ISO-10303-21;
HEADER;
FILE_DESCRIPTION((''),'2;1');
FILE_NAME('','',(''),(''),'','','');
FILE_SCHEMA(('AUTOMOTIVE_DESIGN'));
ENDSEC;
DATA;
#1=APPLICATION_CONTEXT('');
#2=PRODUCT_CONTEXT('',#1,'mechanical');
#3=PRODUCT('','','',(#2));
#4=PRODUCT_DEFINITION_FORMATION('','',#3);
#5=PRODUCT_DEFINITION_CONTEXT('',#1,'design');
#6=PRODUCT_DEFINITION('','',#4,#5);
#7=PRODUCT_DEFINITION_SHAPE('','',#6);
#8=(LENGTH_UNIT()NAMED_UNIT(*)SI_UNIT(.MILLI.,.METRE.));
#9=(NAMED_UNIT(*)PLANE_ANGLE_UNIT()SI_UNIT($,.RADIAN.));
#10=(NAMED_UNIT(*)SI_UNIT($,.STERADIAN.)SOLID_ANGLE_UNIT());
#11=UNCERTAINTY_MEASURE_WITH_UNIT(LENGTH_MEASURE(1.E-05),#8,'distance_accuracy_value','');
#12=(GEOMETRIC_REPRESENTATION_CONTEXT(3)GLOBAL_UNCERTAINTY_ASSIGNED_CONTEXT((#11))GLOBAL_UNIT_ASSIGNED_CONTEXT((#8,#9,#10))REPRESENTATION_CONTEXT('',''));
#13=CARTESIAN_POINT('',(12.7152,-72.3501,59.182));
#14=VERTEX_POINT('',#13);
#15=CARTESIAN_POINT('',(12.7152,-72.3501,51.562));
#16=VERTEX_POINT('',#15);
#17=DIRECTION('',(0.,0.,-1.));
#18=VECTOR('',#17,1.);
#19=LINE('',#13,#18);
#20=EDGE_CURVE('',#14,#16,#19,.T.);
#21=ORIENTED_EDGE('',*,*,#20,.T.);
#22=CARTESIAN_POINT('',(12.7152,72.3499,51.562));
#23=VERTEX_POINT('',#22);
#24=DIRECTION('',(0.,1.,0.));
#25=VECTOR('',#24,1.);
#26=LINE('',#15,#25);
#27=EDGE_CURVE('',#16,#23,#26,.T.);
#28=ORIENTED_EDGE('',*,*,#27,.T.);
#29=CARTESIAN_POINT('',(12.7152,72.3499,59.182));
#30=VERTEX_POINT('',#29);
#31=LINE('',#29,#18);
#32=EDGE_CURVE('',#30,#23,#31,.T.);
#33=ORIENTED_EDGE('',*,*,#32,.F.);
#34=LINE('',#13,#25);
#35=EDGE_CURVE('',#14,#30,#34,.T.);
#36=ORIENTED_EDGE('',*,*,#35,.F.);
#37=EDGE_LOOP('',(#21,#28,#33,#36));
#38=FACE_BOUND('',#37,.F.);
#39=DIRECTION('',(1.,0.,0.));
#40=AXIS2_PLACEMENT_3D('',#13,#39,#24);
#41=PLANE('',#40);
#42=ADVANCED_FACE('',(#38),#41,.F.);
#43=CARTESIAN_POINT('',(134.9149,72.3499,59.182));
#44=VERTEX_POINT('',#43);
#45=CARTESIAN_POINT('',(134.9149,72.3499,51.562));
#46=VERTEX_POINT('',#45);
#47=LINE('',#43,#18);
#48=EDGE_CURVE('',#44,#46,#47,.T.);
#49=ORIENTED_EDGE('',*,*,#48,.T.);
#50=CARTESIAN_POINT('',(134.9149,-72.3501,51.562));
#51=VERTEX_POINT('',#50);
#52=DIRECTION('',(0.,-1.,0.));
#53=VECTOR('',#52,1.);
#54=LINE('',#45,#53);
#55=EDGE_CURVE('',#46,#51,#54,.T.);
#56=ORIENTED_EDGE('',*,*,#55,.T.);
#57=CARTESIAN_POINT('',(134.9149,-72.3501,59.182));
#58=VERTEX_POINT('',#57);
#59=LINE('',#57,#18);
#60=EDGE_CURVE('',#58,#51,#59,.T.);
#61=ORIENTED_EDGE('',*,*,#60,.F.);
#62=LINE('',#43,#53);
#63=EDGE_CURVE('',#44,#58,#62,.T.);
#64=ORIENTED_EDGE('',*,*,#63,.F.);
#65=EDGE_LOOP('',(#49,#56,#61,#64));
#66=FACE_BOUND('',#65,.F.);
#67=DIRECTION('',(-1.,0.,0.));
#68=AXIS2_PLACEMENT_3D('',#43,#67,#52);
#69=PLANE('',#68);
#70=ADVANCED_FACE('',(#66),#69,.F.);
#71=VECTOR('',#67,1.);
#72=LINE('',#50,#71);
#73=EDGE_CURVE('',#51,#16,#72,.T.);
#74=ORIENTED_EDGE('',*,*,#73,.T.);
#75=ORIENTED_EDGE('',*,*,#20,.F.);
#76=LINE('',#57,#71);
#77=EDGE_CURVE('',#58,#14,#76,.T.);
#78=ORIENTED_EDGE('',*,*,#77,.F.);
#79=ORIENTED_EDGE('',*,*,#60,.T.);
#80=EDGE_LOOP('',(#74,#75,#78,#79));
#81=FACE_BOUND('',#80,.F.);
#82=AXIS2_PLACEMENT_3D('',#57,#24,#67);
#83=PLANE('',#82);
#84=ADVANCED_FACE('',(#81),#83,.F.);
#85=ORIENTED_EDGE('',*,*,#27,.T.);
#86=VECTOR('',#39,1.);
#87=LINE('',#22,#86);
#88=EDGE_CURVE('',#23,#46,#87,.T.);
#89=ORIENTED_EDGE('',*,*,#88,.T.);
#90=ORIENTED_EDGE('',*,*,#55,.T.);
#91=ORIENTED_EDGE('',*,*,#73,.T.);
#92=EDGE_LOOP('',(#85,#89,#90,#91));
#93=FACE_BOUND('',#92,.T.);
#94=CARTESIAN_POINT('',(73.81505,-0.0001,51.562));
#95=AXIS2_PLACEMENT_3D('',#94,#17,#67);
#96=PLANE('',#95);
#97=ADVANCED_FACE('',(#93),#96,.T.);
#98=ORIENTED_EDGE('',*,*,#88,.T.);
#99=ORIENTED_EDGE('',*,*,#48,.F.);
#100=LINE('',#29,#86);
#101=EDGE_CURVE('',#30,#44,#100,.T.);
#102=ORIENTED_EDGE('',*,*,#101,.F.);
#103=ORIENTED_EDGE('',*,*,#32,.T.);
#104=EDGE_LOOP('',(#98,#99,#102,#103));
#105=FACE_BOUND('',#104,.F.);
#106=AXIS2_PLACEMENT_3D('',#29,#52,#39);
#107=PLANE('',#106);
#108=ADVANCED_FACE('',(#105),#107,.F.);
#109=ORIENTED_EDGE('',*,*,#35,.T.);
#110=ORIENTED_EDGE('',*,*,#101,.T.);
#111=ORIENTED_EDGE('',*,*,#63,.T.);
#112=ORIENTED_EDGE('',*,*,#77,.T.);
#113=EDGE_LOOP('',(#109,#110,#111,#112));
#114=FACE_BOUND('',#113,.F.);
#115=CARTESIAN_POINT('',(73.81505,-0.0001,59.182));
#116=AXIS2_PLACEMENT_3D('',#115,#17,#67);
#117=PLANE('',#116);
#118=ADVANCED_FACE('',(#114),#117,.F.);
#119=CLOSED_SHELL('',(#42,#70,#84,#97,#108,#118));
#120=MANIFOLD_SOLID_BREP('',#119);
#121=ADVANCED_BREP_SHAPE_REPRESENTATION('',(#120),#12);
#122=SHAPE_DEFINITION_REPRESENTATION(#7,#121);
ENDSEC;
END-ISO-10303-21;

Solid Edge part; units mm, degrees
sketch "Sketch1" plane through (131.7949, 65.9999, 59.182) normal (0, 0, -1) x (0, -1, 0)
  line L0 (-6.35, -3.12) -> (138.35, -3.12)
  line L1 (138.35, -3.12) -> (138.35, 119.0797)
  line L2 (138.35, 119.0797) -> (-6.35, 119.0797)
  line L3 (-6.35, 119.0797) -> (-6.35, -3.12)
  dimension "D1" = 6.35
  dimension "D2" = 6.35
  dimension "D3" = 6.35
  dimension "D4" = 6.35
extrude "Protrusion1" add sketch "Sketch1" along normal blind 7.62
